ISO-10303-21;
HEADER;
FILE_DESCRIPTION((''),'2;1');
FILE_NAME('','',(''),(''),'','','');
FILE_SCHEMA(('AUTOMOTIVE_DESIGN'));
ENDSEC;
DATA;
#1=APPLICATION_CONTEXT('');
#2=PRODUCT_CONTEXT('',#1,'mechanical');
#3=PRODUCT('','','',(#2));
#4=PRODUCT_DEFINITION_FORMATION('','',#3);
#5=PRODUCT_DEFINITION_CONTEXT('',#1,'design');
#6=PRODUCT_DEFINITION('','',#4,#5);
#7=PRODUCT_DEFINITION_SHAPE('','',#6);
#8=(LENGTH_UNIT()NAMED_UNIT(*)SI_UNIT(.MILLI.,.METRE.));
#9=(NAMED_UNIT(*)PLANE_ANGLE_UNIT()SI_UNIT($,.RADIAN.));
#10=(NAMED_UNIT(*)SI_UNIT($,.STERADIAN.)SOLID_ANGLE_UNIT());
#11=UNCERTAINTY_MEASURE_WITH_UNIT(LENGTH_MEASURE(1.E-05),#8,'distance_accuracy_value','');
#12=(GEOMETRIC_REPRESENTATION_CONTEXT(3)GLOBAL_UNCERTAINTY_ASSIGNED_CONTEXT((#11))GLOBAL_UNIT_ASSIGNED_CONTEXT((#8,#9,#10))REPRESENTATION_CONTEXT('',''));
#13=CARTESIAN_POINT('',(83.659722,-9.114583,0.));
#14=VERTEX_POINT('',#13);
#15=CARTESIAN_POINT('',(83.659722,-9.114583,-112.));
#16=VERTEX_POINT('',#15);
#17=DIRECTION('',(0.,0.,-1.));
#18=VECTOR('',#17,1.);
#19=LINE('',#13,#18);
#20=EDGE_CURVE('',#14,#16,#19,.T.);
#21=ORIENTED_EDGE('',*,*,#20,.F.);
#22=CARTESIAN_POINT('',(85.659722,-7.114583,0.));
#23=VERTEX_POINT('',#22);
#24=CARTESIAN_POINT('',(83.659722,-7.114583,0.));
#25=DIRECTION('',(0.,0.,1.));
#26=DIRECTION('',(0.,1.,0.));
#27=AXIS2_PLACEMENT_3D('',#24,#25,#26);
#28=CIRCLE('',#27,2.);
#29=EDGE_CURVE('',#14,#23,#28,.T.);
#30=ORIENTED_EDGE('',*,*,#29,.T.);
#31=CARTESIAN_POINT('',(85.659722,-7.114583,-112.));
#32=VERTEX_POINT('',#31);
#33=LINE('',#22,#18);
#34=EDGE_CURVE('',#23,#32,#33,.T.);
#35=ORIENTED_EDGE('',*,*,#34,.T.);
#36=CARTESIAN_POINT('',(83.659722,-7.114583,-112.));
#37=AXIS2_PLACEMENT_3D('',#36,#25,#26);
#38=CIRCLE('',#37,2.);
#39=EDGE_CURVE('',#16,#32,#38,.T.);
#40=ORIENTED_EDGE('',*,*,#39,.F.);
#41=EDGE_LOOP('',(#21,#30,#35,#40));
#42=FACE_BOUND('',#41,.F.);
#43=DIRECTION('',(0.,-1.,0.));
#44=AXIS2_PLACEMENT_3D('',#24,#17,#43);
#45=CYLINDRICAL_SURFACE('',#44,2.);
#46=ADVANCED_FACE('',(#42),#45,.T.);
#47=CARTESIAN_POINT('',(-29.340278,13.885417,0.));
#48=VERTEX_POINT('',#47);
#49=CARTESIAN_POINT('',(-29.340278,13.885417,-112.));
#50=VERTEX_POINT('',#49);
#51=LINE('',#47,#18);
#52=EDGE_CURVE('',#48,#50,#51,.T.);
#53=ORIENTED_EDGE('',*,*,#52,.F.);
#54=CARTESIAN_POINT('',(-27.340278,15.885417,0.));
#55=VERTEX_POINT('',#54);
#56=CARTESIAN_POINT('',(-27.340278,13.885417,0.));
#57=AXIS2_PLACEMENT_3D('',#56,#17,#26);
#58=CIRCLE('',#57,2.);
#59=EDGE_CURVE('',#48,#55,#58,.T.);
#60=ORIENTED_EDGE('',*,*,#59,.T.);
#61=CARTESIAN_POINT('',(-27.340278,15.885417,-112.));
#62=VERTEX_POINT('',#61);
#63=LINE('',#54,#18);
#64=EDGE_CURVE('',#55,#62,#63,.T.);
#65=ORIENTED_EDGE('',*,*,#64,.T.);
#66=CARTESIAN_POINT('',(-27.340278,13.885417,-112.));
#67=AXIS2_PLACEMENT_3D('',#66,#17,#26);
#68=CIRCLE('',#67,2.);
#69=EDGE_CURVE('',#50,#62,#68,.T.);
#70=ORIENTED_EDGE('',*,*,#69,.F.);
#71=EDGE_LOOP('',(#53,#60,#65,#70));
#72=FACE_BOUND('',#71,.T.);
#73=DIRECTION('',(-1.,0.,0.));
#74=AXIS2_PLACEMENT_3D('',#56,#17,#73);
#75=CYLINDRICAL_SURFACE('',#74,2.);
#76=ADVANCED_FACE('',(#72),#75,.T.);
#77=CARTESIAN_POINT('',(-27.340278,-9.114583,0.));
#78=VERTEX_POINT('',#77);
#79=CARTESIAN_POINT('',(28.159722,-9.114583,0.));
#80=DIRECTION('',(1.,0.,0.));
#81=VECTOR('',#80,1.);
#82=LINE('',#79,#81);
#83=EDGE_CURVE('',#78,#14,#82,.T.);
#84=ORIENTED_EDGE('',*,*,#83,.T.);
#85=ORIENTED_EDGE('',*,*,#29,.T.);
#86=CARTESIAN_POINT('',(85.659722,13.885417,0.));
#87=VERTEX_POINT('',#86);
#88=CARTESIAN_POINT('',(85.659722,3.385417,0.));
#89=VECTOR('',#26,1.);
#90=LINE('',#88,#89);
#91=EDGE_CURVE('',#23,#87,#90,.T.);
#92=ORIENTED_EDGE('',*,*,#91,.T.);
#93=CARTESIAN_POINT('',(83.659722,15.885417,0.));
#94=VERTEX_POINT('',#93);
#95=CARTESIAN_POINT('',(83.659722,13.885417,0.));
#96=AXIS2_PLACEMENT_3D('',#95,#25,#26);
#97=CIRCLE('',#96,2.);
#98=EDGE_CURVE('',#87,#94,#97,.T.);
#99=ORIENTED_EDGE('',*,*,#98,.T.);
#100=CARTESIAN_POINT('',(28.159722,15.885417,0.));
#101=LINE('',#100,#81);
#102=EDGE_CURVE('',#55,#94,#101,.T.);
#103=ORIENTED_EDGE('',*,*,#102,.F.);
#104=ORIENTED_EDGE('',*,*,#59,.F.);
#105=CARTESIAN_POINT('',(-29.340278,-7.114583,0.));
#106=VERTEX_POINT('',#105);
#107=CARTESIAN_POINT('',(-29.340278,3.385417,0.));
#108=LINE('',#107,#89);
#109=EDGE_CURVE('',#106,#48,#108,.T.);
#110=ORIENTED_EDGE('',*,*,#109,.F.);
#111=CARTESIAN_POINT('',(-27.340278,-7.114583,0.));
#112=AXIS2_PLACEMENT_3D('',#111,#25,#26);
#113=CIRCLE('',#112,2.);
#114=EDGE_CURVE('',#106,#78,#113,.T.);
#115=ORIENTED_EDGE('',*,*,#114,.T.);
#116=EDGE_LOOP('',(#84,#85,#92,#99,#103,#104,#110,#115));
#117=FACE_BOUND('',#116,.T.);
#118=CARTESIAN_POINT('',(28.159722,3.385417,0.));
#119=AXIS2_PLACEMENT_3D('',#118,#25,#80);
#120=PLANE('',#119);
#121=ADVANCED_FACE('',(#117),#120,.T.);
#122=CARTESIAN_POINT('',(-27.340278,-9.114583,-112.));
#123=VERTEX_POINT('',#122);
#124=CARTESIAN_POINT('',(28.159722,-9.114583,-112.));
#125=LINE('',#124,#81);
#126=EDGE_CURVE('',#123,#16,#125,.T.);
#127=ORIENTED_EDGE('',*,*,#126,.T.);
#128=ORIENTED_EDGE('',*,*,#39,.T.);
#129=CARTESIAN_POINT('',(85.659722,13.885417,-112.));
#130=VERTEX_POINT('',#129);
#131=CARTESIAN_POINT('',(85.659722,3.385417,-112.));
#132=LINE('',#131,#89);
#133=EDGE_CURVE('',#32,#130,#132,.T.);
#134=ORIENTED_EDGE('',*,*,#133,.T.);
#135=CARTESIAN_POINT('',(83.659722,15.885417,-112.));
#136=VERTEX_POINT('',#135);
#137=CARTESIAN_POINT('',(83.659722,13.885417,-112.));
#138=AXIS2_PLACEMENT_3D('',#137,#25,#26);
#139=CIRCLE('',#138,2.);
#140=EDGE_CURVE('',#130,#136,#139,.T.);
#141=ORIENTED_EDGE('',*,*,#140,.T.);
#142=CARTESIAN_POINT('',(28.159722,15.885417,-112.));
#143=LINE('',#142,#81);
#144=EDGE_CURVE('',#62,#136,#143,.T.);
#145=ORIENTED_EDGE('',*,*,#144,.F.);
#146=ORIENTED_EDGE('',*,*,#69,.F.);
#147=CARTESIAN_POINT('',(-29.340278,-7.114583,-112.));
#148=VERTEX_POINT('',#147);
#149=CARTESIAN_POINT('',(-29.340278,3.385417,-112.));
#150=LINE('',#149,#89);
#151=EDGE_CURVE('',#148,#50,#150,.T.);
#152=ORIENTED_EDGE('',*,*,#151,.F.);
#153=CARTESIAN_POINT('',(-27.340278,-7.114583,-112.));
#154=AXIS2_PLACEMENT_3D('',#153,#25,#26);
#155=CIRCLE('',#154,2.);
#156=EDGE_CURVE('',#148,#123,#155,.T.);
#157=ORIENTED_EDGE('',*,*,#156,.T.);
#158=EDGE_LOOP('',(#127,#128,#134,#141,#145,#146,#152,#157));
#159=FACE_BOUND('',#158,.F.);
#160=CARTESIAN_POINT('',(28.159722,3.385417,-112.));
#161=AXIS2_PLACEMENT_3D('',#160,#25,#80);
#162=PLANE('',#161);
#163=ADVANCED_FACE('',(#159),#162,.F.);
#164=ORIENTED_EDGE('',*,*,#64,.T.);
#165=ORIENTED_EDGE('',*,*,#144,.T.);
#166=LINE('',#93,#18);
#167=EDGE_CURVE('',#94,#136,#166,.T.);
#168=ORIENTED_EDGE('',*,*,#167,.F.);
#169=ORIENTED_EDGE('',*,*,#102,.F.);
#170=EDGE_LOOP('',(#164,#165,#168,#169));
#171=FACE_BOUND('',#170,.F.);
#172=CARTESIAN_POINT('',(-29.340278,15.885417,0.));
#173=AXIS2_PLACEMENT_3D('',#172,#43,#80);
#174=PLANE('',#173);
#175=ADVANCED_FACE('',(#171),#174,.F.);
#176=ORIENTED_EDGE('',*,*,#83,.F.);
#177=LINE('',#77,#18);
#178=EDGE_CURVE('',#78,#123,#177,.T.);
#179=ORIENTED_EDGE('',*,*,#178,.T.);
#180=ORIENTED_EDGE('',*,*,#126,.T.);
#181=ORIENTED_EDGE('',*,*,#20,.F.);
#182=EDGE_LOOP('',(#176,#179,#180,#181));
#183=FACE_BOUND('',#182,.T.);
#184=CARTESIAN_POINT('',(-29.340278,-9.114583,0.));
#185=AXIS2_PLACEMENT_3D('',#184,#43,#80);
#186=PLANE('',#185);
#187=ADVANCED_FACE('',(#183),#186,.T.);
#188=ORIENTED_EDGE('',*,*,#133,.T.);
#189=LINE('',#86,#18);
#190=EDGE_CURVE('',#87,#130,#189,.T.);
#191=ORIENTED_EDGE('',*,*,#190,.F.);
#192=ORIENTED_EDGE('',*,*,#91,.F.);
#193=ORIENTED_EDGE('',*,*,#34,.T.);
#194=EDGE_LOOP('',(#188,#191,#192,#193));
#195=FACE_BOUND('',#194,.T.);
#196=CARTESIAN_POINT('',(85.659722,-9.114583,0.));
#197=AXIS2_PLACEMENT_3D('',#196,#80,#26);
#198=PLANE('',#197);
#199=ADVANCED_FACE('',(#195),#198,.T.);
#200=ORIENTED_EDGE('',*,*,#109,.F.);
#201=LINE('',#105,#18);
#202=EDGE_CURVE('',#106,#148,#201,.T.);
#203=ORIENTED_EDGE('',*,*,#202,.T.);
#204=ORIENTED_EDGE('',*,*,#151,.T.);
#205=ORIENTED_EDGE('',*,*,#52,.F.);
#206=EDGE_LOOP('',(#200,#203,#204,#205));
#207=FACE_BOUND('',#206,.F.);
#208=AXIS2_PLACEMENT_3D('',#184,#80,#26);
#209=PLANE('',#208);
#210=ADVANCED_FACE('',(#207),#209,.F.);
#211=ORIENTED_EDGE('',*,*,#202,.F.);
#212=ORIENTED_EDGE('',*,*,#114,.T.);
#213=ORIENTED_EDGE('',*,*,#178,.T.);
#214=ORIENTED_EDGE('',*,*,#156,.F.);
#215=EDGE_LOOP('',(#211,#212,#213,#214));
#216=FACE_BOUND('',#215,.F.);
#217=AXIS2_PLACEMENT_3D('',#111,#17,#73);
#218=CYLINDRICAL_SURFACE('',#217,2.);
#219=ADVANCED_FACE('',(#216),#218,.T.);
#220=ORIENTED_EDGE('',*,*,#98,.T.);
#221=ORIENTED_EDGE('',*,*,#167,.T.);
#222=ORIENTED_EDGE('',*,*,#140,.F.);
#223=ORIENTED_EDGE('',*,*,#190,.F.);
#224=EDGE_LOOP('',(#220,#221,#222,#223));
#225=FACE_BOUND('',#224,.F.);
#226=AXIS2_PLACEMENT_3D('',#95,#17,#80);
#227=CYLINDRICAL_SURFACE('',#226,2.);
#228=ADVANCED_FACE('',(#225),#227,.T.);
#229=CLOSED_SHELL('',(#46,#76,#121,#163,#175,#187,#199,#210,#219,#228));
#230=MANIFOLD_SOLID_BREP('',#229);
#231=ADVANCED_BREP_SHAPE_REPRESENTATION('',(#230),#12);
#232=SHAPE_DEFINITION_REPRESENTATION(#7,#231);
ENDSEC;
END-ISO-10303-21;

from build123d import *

# Parameters (mm, degrees)
SKETCH1_W           = 115
SKETCH1_H           = 25
BOSS_EXTRUDE1_DEPTH = 112
FILLET1_R           = 2


with BuildPart() as part:
    # Sketch1 → Boss-Extrude1 (new body)
    with BuildSketch(Plane.XY):
        with Locations((28.159722222, 3.385416667)):
            Rectangle(SKETCH1_W, SKETCH1_H)
    extrude(amount=-BOSS_EXTRUDE1_DEPTH)

    # Fillet1
    fillet1_edges = [part.edges().sort_by_distance(p)[0] for p in [
        (-29.340277778, 15.885416667, -56),
        (85.659722222, 15.885416667, -56),
        (85.659722222, -9.114583333, -56),
        (-29.340277778, -9.114583333, -56),
    ]]
    fillet(fillet1_edges, radius=FILLET1_R)


solid = part.part
